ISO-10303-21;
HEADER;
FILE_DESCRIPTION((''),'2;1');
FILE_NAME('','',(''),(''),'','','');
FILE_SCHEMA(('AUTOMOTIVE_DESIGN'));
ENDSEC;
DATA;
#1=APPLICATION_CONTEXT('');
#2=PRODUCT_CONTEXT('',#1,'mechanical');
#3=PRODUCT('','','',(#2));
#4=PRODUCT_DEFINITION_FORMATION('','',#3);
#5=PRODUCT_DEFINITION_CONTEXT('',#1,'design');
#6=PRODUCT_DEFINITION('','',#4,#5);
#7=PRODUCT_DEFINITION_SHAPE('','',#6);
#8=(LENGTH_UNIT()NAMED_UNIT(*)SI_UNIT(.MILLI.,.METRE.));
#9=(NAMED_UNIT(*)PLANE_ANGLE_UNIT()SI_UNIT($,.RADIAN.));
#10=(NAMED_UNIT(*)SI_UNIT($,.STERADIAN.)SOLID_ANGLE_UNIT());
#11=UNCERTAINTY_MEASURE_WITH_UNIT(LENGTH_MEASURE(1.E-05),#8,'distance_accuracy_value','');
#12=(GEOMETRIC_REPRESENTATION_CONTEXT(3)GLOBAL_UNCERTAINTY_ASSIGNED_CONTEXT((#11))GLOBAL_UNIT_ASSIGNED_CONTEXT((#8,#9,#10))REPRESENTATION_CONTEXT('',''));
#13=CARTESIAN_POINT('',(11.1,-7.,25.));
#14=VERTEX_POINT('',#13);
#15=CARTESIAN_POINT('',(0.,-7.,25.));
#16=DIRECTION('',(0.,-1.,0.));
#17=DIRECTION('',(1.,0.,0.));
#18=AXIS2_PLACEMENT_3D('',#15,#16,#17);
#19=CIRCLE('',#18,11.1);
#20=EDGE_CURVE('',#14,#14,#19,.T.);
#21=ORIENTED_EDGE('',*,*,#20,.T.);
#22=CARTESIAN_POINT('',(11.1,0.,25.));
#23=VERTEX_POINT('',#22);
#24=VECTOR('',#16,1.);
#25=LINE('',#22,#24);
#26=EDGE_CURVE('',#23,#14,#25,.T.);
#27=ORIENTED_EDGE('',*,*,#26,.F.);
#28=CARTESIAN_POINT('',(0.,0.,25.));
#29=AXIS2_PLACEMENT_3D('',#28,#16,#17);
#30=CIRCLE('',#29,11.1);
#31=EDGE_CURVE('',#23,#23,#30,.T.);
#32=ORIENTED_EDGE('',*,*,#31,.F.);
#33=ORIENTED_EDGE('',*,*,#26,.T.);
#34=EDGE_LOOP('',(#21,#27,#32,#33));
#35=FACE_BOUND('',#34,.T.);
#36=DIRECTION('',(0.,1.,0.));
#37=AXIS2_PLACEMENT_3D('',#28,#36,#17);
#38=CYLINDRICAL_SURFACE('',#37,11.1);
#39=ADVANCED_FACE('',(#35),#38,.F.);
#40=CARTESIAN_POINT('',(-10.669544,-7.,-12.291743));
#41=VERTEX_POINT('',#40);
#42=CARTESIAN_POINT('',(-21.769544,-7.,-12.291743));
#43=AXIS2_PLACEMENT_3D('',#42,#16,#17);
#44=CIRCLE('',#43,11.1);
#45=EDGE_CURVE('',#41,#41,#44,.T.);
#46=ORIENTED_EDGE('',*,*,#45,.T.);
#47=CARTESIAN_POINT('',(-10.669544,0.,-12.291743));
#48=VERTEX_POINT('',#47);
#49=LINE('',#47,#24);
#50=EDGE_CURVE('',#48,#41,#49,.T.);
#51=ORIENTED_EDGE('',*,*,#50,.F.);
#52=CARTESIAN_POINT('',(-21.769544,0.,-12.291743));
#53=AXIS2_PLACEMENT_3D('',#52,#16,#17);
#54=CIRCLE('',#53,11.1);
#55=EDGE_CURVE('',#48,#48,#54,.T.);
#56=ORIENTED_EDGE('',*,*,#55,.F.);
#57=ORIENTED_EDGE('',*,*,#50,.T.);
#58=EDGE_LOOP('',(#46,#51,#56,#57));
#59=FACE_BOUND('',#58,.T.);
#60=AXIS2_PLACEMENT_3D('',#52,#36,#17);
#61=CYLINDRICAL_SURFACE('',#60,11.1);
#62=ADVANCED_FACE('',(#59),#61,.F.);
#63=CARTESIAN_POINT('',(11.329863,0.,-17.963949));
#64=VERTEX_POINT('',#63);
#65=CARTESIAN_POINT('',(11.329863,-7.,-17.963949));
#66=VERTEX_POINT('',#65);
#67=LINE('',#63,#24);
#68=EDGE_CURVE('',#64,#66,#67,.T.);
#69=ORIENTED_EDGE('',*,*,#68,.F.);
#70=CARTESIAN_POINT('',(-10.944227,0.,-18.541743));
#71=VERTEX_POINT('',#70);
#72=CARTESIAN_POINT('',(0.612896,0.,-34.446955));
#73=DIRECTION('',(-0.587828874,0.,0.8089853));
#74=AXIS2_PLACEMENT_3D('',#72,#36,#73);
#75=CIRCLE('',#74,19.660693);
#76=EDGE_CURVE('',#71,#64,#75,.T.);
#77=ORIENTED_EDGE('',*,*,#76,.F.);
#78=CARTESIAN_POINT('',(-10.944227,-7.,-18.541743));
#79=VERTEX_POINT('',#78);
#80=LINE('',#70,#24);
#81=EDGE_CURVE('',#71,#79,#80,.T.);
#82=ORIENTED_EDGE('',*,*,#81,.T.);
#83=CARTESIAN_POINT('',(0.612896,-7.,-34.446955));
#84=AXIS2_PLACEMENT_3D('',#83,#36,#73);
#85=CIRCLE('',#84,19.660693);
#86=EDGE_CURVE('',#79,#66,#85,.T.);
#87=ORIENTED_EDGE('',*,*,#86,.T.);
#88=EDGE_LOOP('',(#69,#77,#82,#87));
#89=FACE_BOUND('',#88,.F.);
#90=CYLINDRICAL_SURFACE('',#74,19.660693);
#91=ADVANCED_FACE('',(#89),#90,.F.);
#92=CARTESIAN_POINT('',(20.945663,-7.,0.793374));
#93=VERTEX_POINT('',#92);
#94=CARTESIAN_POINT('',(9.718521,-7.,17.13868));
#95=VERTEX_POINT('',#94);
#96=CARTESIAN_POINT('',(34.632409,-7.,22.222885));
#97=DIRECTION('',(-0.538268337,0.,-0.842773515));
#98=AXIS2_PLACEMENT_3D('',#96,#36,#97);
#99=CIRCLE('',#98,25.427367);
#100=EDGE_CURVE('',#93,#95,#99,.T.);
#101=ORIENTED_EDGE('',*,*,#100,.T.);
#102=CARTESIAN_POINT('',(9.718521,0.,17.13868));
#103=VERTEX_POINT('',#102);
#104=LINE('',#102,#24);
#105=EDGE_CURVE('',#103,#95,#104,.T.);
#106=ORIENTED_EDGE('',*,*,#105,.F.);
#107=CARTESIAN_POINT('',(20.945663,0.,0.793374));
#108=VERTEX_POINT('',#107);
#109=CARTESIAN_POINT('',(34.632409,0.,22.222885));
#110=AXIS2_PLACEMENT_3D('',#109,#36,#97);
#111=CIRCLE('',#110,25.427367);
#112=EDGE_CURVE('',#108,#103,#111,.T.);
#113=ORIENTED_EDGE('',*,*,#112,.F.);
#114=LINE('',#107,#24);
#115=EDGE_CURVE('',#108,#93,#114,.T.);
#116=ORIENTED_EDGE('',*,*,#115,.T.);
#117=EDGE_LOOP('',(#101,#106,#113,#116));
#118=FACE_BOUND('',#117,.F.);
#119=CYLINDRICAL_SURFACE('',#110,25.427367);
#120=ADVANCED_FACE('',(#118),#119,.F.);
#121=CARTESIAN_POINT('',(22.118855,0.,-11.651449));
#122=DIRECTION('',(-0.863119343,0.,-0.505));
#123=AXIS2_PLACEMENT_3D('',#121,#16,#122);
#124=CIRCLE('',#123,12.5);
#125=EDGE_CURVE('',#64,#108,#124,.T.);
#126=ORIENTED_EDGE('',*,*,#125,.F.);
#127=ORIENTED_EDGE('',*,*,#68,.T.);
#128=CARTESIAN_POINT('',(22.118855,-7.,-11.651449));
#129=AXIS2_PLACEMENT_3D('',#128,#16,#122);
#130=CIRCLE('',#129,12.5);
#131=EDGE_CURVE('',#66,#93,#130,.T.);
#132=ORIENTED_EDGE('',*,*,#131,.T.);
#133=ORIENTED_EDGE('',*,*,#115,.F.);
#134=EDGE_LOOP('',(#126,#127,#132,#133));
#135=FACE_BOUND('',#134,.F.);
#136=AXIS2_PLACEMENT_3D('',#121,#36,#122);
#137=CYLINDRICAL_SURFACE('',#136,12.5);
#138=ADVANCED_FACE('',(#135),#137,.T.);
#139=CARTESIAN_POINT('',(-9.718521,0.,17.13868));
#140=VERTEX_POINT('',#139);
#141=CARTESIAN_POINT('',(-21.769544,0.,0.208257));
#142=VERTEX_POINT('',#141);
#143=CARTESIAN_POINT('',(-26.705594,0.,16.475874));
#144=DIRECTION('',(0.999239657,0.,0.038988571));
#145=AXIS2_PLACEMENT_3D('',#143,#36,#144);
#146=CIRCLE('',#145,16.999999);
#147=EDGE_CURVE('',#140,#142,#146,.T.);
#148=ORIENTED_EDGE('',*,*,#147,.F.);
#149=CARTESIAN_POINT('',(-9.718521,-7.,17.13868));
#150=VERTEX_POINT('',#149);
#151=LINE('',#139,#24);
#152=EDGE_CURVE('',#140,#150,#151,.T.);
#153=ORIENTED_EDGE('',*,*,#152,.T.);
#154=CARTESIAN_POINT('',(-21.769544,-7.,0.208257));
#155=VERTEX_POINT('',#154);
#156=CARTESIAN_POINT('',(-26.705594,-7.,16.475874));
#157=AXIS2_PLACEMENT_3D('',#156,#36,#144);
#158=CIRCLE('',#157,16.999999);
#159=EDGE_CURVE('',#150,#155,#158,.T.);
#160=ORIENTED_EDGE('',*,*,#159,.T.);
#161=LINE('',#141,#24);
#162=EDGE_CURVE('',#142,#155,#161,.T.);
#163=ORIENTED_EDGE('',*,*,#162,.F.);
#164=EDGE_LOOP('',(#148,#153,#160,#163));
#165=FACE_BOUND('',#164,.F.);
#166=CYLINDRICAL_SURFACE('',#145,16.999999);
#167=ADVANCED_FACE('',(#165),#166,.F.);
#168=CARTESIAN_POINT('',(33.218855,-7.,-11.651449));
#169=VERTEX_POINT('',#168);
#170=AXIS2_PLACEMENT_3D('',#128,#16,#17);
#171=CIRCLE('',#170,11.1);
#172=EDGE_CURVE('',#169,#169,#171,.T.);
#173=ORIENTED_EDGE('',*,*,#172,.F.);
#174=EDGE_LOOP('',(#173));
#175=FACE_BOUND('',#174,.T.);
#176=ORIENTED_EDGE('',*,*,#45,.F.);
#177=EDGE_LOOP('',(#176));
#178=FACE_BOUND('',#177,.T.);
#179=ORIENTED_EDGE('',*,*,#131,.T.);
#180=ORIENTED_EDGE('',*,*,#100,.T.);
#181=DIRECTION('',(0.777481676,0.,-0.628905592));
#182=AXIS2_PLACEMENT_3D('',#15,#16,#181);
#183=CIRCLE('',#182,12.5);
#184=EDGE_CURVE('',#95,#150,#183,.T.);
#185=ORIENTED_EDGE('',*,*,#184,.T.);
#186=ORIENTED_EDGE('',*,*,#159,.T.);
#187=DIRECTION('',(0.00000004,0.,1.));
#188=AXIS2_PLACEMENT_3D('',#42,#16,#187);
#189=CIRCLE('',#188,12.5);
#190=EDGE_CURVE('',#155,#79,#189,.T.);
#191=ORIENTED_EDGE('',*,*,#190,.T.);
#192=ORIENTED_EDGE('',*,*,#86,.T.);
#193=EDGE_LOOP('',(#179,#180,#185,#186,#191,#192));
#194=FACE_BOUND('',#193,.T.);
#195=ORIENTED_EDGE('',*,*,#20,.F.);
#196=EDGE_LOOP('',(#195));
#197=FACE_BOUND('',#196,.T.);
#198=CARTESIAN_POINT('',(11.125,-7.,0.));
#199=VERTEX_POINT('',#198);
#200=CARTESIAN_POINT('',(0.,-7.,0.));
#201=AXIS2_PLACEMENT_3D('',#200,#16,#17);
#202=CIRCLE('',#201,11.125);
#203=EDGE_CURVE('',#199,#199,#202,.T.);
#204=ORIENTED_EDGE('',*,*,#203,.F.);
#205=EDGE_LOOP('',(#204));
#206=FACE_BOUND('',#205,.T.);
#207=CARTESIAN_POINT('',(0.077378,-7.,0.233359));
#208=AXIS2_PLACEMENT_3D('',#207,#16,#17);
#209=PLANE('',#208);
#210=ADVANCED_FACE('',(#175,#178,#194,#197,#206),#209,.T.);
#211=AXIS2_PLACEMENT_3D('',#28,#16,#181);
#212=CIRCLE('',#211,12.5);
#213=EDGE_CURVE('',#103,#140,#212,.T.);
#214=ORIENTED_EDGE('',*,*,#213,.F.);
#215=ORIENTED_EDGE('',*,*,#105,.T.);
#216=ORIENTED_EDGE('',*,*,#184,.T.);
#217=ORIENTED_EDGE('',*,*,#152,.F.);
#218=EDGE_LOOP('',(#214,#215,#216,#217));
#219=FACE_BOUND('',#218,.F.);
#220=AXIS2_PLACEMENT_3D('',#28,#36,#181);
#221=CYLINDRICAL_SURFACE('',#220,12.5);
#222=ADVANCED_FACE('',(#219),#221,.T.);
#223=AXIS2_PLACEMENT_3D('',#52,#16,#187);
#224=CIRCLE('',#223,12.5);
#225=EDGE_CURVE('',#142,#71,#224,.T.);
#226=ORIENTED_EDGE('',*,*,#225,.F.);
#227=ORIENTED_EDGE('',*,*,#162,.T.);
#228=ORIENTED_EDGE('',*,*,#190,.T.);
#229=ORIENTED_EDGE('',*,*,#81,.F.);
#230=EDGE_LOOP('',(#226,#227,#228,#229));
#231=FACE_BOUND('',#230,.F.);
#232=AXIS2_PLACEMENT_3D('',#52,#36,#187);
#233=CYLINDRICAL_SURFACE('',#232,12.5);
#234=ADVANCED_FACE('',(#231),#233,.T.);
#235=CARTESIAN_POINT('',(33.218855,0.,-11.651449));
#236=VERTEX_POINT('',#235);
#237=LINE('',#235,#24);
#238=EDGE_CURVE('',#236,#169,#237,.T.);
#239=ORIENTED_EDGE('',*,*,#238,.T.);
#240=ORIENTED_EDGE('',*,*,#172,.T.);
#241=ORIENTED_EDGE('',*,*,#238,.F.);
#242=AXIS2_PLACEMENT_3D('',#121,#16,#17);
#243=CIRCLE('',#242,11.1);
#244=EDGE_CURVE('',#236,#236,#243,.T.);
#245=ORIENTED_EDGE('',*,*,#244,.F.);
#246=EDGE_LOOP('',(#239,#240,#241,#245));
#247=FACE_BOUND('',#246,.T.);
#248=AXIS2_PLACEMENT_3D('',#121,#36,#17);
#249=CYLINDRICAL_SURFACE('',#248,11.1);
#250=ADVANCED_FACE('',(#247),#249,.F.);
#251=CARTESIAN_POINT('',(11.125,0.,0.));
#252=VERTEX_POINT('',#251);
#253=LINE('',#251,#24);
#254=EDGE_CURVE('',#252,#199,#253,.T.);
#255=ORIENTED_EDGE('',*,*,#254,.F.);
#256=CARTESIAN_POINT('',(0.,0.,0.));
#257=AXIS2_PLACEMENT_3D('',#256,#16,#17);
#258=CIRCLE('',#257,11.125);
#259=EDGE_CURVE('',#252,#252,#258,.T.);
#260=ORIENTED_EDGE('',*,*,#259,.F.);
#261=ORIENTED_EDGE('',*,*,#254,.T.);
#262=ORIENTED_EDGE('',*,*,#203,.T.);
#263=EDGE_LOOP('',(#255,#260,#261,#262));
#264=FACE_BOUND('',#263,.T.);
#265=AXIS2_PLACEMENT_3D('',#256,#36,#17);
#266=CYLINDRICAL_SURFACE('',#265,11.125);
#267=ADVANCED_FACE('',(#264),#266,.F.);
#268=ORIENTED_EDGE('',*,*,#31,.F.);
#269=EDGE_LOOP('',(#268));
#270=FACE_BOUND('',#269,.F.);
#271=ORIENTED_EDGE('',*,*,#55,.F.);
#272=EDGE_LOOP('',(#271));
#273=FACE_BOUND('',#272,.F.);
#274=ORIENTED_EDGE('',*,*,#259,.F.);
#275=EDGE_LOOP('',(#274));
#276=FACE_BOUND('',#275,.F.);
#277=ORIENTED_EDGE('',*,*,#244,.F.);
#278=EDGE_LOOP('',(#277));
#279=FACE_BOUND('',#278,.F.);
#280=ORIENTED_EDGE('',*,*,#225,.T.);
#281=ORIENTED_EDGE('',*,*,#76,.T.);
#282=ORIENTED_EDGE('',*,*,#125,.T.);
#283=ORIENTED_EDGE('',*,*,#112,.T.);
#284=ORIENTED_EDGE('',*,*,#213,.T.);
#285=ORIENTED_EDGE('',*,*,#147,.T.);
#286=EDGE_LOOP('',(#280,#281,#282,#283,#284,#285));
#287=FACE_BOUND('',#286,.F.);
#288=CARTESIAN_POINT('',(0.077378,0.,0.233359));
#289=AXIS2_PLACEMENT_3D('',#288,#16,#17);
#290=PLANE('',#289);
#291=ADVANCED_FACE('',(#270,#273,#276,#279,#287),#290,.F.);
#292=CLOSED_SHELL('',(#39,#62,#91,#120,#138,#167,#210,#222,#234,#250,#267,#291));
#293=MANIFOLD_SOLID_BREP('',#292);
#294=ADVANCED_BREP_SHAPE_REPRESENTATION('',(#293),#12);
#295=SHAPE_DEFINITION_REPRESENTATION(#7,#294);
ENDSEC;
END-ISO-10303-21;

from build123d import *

# Parameters (mm, degrees)
F0_R     = 11.1
F0_R_2   = 11.125
F1_DEPTH = 7


with BuildPart() as f1:
    # F0 (on Front) → F1 (new body)
    with BuildSketch(Plane.XZ):
        with BuildLine():
            ThreePointArc((-10.944227, -18.541743), (0.103066, -14.792873), (11.329863, -17.963949))
            ThreePointArc((11.329863, -17.963949), (33.242377, -17.353839), (20.945663, 0.793374))
            ThreePointArc((20.945663, 0.793374), (13.673056, 7.82648), (9.718521, 17.13868))
            ThreePointArc((9.718521, 17.13868), (0, 37.5), (-9.718521, 17.13868))
            ThreePointArc((-9.718521, 17.13868), (-12.855842, 6.617663), (-21.769544, 0.208257))
            ThreePointArc((-21.769544, 0.208257), (-32.594862, -18.541743), (-10.944227, -18.541743))
        make_face()
        with Locations((-21.769544, -12.291743)):
            Circle(F0_R, mode=Mode.SUBTRACT)
        Circle(F0_R_2, mode=Mode.SUBTRACT)
        with Locations((22.118855, -11.651449)):
            Circle(F0_R, mode=Mode.SUBTRACT)
        with Locations((0, 25)):
            Circle(F0_R, mode=Mode.SUBTRACT)
    extrude(amount=F1_DEPTH)


solid = f1.part
